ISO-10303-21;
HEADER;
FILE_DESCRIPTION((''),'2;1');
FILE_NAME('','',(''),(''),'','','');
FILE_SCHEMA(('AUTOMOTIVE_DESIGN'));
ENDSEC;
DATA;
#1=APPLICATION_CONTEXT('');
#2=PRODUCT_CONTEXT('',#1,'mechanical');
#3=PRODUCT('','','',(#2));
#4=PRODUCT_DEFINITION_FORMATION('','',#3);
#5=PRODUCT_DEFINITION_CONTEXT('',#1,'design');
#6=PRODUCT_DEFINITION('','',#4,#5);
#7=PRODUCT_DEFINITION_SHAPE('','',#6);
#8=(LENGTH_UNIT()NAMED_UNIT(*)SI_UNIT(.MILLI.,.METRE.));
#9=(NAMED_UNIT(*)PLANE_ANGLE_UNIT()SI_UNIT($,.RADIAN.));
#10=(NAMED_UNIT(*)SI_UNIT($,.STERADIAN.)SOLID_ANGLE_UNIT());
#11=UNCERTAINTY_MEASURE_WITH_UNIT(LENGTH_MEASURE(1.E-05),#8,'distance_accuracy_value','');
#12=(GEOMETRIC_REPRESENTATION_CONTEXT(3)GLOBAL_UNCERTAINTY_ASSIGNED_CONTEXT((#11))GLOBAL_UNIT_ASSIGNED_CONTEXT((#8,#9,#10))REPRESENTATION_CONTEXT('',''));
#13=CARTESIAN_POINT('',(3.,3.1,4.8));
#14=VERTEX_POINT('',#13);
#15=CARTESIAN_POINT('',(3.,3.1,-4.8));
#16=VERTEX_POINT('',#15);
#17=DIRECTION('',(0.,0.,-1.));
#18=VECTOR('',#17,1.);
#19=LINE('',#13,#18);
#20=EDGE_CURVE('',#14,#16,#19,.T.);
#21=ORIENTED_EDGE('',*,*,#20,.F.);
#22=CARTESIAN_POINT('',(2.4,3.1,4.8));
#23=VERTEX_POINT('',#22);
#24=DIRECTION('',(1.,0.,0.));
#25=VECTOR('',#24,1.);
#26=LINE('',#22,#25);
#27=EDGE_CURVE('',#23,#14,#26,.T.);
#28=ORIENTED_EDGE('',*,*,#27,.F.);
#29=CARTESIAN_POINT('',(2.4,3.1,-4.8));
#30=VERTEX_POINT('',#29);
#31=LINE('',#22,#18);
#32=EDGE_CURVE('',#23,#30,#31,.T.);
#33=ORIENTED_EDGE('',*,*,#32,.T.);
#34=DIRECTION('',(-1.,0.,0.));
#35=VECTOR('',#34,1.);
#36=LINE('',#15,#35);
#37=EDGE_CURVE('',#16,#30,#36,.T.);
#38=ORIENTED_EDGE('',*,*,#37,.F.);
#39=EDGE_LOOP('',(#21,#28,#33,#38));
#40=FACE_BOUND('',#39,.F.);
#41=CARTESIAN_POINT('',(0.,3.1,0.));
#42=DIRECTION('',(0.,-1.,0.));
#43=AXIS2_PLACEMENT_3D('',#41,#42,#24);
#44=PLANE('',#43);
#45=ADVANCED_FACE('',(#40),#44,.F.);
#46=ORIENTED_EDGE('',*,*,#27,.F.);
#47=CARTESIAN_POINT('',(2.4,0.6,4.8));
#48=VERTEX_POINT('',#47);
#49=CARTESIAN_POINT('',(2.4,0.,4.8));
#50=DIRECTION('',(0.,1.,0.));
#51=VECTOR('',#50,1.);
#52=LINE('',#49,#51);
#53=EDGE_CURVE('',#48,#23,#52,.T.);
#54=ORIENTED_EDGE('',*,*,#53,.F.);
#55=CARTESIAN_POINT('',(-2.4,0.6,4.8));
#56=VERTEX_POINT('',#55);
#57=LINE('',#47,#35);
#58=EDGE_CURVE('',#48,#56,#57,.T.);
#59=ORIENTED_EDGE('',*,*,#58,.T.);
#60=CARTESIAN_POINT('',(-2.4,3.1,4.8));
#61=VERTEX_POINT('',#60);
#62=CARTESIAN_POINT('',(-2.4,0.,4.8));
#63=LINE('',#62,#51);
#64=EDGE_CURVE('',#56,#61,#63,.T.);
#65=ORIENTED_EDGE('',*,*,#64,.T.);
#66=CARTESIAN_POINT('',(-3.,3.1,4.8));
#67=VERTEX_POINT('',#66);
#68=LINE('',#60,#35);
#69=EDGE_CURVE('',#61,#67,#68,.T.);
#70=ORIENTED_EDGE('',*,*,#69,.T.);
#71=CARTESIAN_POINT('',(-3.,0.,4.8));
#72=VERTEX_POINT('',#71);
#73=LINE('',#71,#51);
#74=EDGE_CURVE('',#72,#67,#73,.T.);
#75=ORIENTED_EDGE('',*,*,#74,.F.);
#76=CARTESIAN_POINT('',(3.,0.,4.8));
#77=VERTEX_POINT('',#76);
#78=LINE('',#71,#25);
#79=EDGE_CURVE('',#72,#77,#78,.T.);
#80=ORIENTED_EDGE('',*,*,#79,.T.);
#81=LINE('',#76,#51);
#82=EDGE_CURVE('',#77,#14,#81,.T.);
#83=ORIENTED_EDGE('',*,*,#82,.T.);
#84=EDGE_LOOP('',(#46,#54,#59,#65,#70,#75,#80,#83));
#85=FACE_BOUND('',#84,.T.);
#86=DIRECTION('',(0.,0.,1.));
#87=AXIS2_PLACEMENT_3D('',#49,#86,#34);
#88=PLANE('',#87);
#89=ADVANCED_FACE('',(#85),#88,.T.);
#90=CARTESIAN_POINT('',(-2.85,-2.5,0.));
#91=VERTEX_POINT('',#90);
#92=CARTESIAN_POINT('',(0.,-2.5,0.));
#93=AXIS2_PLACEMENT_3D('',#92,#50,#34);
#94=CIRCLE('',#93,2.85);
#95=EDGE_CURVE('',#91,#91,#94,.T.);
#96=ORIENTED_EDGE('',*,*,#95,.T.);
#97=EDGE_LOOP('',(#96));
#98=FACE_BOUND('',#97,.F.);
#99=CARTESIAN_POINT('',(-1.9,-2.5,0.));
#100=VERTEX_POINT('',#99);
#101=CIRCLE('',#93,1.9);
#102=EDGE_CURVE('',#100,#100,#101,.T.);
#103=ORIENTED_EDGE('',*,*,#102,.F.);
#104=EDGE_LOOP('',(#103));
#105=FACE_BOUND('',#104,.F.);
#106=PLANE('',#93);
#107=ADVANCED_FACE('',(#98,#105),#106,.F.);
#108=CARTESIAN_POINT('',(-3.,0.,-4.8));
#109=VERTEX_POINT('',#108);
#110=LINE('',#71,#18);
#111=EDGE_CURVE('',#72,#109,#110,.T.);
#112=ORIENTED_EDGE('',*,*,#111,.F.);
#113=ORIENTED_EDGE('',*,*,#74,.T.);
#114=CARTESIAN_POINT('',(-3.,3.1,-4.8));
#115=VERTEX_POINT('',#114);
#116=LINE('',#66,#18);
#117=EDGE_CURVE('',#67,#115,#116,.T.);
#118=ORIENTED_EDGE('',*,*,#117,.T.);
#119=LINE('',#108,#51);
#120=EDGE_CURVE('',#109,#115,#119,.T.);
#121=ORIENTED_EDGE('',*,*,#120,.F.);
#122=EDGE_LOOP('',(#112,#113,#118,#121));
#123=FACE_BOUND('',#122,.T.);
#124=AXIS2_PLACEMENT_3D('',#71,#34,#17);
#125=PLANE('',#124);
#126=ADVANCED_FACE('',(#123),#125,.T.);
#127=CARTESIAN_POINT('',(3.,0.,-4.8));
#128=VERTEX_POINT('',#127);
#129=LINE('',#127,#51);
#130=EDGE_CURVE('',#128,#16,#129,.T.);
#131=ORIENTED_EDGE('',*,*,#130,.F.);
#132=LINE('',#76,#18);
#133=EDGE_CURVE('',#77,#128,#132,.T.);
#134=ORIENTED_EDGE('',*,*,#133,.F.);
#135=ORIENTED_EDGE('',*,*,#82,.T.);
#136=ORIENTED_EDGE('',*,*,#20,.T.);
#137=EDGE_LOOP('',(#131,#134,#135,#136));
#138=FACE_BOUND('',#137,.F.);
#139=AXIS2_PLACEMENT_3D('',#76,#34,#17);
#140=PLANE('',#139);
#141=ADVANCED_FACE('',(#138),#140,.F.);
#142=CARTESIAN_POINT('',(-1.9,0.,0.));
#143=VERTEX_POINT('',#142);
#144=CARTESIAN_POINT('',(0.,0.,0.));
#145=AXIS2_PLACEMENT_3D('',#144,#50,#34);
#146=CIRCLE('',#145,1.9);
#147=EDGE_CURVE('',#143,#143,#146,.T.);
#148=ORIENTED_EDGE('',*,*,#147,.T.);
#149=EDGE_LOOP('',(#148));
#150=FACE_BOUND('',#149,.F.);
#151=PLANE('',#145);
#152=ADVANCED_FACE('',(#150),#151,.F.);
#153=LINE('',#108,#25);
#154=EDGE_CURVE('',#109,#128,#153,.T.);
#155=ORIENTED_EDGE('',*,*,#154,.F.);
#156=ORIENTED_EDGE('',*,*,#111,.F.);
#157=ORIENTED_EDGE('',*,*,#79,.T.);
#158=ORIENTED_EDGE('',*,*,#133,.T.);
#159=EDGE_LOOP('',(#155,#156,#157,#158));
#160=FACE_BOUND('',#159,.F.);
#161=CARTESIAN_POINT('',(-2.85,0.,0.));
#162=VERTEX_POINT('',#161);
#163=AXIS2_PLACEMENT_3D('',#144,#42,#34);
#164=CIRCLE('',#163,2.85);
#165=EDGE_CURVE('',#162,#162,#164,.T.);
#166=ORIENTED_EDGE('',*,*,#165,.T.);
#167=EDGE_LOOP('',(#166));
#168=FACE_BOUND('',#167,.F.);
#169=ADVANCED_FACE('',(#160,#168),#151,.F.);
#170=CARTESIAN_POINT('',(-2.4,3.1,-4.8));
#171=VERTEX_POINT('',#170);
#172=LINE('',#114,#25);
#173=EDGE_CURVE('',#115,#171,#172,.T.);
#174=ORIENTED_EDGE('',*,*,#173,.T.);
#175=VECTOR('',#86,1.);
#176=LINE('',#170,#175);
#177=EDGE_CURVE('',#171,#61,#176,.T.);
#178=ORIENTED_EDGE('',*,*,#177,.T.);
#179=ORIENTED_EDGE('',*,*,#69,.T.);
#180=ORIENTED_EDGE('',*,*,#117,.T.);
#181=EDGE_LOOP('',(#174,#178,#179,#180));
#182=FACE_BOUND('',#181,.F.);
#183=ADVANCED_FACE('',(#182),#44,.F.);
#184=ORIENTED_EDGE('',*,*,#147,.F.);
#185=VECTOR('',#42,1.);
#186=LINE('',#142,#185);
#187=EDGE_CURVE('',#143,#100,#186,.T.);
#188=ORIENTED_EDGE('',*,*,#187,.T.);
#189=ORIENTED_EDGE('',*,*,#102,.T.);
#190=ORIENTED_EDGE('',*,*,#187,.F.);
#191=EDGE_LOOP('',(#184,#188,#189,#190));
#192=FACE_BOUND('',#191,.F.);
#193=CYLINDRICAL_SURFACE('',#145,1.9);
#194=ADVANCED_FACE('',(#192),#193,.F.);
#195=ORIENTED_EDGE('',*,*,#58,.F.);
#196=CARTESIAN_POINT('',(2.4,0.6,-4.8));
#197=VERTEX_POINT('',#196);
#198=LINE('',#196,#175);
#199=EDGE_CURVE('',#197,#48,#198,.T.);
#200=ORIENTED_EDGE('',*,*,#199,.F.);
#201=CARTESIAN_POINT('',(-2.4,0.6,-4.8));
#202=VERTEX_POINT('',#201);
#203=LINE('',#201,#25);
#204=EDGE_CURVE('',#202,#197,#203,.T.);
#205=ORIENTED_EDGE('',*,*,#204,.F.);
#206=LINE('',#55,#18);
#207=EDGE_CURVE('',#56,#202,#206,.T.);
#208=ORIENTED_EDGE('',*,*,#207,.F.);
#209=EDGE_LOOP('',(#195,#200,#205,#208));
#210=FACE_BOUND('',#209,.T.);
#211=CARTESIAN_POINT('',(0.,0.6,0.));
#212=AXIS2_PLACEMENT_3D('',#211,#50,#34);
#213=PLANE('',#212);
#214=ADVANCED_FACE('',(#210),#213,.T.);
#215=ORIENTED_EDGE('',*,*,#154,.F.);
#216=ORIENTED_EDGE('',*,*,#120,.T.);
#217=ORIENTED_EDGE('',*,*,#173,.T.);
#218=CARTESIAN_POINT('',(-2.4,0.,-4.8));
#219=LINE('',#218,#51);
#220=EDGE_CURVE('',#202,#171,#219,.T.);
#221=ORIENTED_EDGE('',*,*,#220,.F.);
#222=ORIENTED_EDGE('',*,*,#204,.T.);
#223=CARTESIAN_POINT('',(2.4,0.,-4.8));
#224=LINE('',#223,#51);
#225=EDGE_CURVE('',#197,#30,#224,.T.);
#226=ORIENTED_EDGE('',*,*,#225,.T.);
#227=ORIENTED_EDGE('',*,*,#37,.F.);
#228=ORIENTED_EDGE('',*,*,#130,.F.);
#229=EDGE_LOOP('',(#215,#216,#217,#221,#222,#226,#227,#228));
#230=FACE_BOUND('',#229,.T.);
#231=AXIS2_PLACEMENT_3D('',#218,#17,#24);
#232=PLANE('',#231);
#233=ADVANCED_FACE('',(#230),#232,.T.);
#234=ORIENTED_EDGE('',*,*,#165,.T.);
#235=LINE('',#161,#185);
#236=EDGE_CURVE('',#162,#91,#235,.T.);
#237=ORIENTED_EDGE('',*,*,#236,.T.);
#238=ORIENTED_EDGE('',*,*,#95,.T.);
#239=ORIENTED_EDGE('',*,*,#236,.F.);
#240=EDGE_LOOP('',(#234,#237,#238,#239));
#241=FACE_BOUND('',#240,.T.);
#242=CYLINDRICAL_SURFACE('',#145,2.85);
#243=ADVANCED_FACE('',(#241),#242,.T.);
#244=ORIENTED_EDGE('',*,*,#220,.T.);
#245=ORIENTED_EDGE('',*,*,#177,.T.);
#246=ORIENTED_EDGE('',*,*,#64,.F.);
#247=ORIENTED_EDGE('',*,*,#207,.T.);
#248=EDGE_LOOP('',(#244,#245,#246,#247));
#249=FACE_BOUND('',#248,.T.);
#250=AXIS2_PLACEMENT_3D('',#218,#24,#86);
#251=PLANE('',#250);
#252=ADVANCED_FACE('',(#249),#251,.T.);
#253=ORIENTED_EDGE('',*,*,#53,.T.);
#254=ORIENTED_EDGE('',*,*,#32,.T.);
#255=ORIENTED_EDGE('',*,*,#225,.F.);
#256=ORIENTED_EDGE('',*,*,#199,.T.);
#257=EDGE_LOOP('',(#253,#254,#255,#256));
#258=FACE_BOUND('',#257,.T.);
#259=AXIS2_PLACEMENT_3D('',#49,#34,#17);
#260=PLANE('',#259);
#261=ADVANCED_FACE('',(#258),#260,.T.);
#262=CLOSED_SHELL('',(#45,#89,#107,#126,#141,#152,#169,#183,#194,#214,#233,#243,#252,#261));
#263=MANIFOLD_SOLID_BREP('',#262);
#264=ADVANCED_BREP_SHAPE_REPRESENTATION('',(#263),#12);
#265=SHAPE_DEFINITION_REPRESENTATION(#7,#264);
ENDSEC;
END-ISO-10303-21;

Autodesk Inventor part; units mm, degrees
ref_plane "YZ Plane" through (0, 0, 0) normal (1, 0, 0) x (0, 1, 0)
ref_plane "XZ Plane" through (0, 0, 0) normal (0, 1, 0) x (-1, 0, 0)
ref_plane "XY Plane" through (0, 0, 0) normal (0, 0, 1) x (1, 0, 0)
sketch "스케치1" plane through (0, 0, 0) normal (0, 1, 0) x (-1, 0, 0)
  line L0 (-2.4, 4.8) -> (2.4, 4.8)
  line L1 (2.4, 4.8) -> (2.4, -4.8)
  line L2 (2.4, -4.8) -> (-2.4, -4.8)
  line L3 (-2.4, -4.8) -> (-2.4, 4.8)
  line L4 (-2.4, 4.8) -> (2.4, -4.8) construction
  line L5 (2.4, 4.8) -> (-2.4, -4.8) construction
  circle A0 centre (0, 0) radius 2.85
  circle A1 centre (0, 0) radius 1.9
  dimension "d0" = 4.8
  dimension "d1" = 9.6
  dimension "d17" = 5.7
  dimension "d18" = 3.8
extrude "돌출1" add sketch "스케치1" along normal blind 0.6 contours L0 L1 A0 L3 | A0 L1 L3 | A0 L1 L2 L3 | A1
sketch "스케치2" plane through (0, 0, 0) normal (0, -1, 0) x (1, 0, 0)
  line L0 (2.4, -4.8) -> (-2.4, -4.8) projected
  line L1 (2.4, 4.8) -> (2.4, -4.8) projected
  line L2 (-2.4, 4.8) -> (2.4, 4.8) projected
  line L3 (-2.4, -4.8) -> (-2.4, 4.8) projected
  line L4 (2.4, 4.8) -> (3, 4.8)
  line L5 (3, 4.8) -> (3, -4.8)
  line L6 (3, -4.8) -> (2.4, -4.8)
  line L7 (2.4, -4.8) -> (2.4, 4.8)
  line L8 (-2.4, -4.8) -> (-2.4, 4.8) projected
  line L9 (-2.4, 4.8) -> (-3, 4.8)
  line L10 (-3, 4.8) -> (-3, -4.8)
  line L11 (-3, -4.8) -> (-2.4, -4.8)
  line L12 (-2.4, -4.8) -> (-2.4, 4.8)
  point P0 (0, 0)
  dimension "d4" = 0.6
  dimension "d5" = 0.6
extrude "돌출2" add sketch "스케치2" against normal blind 3.1 contours L1 L4 L5 L6 | L11 L10 L9 L3
extrude "돌출5" add sketch "스케치1" against normal blind 2.5 contours A0 L1 L3 | L3 A0 | A0 L1
properties part number "endcap_4mm_2ea_typeB_ver2_onyx_addon"
